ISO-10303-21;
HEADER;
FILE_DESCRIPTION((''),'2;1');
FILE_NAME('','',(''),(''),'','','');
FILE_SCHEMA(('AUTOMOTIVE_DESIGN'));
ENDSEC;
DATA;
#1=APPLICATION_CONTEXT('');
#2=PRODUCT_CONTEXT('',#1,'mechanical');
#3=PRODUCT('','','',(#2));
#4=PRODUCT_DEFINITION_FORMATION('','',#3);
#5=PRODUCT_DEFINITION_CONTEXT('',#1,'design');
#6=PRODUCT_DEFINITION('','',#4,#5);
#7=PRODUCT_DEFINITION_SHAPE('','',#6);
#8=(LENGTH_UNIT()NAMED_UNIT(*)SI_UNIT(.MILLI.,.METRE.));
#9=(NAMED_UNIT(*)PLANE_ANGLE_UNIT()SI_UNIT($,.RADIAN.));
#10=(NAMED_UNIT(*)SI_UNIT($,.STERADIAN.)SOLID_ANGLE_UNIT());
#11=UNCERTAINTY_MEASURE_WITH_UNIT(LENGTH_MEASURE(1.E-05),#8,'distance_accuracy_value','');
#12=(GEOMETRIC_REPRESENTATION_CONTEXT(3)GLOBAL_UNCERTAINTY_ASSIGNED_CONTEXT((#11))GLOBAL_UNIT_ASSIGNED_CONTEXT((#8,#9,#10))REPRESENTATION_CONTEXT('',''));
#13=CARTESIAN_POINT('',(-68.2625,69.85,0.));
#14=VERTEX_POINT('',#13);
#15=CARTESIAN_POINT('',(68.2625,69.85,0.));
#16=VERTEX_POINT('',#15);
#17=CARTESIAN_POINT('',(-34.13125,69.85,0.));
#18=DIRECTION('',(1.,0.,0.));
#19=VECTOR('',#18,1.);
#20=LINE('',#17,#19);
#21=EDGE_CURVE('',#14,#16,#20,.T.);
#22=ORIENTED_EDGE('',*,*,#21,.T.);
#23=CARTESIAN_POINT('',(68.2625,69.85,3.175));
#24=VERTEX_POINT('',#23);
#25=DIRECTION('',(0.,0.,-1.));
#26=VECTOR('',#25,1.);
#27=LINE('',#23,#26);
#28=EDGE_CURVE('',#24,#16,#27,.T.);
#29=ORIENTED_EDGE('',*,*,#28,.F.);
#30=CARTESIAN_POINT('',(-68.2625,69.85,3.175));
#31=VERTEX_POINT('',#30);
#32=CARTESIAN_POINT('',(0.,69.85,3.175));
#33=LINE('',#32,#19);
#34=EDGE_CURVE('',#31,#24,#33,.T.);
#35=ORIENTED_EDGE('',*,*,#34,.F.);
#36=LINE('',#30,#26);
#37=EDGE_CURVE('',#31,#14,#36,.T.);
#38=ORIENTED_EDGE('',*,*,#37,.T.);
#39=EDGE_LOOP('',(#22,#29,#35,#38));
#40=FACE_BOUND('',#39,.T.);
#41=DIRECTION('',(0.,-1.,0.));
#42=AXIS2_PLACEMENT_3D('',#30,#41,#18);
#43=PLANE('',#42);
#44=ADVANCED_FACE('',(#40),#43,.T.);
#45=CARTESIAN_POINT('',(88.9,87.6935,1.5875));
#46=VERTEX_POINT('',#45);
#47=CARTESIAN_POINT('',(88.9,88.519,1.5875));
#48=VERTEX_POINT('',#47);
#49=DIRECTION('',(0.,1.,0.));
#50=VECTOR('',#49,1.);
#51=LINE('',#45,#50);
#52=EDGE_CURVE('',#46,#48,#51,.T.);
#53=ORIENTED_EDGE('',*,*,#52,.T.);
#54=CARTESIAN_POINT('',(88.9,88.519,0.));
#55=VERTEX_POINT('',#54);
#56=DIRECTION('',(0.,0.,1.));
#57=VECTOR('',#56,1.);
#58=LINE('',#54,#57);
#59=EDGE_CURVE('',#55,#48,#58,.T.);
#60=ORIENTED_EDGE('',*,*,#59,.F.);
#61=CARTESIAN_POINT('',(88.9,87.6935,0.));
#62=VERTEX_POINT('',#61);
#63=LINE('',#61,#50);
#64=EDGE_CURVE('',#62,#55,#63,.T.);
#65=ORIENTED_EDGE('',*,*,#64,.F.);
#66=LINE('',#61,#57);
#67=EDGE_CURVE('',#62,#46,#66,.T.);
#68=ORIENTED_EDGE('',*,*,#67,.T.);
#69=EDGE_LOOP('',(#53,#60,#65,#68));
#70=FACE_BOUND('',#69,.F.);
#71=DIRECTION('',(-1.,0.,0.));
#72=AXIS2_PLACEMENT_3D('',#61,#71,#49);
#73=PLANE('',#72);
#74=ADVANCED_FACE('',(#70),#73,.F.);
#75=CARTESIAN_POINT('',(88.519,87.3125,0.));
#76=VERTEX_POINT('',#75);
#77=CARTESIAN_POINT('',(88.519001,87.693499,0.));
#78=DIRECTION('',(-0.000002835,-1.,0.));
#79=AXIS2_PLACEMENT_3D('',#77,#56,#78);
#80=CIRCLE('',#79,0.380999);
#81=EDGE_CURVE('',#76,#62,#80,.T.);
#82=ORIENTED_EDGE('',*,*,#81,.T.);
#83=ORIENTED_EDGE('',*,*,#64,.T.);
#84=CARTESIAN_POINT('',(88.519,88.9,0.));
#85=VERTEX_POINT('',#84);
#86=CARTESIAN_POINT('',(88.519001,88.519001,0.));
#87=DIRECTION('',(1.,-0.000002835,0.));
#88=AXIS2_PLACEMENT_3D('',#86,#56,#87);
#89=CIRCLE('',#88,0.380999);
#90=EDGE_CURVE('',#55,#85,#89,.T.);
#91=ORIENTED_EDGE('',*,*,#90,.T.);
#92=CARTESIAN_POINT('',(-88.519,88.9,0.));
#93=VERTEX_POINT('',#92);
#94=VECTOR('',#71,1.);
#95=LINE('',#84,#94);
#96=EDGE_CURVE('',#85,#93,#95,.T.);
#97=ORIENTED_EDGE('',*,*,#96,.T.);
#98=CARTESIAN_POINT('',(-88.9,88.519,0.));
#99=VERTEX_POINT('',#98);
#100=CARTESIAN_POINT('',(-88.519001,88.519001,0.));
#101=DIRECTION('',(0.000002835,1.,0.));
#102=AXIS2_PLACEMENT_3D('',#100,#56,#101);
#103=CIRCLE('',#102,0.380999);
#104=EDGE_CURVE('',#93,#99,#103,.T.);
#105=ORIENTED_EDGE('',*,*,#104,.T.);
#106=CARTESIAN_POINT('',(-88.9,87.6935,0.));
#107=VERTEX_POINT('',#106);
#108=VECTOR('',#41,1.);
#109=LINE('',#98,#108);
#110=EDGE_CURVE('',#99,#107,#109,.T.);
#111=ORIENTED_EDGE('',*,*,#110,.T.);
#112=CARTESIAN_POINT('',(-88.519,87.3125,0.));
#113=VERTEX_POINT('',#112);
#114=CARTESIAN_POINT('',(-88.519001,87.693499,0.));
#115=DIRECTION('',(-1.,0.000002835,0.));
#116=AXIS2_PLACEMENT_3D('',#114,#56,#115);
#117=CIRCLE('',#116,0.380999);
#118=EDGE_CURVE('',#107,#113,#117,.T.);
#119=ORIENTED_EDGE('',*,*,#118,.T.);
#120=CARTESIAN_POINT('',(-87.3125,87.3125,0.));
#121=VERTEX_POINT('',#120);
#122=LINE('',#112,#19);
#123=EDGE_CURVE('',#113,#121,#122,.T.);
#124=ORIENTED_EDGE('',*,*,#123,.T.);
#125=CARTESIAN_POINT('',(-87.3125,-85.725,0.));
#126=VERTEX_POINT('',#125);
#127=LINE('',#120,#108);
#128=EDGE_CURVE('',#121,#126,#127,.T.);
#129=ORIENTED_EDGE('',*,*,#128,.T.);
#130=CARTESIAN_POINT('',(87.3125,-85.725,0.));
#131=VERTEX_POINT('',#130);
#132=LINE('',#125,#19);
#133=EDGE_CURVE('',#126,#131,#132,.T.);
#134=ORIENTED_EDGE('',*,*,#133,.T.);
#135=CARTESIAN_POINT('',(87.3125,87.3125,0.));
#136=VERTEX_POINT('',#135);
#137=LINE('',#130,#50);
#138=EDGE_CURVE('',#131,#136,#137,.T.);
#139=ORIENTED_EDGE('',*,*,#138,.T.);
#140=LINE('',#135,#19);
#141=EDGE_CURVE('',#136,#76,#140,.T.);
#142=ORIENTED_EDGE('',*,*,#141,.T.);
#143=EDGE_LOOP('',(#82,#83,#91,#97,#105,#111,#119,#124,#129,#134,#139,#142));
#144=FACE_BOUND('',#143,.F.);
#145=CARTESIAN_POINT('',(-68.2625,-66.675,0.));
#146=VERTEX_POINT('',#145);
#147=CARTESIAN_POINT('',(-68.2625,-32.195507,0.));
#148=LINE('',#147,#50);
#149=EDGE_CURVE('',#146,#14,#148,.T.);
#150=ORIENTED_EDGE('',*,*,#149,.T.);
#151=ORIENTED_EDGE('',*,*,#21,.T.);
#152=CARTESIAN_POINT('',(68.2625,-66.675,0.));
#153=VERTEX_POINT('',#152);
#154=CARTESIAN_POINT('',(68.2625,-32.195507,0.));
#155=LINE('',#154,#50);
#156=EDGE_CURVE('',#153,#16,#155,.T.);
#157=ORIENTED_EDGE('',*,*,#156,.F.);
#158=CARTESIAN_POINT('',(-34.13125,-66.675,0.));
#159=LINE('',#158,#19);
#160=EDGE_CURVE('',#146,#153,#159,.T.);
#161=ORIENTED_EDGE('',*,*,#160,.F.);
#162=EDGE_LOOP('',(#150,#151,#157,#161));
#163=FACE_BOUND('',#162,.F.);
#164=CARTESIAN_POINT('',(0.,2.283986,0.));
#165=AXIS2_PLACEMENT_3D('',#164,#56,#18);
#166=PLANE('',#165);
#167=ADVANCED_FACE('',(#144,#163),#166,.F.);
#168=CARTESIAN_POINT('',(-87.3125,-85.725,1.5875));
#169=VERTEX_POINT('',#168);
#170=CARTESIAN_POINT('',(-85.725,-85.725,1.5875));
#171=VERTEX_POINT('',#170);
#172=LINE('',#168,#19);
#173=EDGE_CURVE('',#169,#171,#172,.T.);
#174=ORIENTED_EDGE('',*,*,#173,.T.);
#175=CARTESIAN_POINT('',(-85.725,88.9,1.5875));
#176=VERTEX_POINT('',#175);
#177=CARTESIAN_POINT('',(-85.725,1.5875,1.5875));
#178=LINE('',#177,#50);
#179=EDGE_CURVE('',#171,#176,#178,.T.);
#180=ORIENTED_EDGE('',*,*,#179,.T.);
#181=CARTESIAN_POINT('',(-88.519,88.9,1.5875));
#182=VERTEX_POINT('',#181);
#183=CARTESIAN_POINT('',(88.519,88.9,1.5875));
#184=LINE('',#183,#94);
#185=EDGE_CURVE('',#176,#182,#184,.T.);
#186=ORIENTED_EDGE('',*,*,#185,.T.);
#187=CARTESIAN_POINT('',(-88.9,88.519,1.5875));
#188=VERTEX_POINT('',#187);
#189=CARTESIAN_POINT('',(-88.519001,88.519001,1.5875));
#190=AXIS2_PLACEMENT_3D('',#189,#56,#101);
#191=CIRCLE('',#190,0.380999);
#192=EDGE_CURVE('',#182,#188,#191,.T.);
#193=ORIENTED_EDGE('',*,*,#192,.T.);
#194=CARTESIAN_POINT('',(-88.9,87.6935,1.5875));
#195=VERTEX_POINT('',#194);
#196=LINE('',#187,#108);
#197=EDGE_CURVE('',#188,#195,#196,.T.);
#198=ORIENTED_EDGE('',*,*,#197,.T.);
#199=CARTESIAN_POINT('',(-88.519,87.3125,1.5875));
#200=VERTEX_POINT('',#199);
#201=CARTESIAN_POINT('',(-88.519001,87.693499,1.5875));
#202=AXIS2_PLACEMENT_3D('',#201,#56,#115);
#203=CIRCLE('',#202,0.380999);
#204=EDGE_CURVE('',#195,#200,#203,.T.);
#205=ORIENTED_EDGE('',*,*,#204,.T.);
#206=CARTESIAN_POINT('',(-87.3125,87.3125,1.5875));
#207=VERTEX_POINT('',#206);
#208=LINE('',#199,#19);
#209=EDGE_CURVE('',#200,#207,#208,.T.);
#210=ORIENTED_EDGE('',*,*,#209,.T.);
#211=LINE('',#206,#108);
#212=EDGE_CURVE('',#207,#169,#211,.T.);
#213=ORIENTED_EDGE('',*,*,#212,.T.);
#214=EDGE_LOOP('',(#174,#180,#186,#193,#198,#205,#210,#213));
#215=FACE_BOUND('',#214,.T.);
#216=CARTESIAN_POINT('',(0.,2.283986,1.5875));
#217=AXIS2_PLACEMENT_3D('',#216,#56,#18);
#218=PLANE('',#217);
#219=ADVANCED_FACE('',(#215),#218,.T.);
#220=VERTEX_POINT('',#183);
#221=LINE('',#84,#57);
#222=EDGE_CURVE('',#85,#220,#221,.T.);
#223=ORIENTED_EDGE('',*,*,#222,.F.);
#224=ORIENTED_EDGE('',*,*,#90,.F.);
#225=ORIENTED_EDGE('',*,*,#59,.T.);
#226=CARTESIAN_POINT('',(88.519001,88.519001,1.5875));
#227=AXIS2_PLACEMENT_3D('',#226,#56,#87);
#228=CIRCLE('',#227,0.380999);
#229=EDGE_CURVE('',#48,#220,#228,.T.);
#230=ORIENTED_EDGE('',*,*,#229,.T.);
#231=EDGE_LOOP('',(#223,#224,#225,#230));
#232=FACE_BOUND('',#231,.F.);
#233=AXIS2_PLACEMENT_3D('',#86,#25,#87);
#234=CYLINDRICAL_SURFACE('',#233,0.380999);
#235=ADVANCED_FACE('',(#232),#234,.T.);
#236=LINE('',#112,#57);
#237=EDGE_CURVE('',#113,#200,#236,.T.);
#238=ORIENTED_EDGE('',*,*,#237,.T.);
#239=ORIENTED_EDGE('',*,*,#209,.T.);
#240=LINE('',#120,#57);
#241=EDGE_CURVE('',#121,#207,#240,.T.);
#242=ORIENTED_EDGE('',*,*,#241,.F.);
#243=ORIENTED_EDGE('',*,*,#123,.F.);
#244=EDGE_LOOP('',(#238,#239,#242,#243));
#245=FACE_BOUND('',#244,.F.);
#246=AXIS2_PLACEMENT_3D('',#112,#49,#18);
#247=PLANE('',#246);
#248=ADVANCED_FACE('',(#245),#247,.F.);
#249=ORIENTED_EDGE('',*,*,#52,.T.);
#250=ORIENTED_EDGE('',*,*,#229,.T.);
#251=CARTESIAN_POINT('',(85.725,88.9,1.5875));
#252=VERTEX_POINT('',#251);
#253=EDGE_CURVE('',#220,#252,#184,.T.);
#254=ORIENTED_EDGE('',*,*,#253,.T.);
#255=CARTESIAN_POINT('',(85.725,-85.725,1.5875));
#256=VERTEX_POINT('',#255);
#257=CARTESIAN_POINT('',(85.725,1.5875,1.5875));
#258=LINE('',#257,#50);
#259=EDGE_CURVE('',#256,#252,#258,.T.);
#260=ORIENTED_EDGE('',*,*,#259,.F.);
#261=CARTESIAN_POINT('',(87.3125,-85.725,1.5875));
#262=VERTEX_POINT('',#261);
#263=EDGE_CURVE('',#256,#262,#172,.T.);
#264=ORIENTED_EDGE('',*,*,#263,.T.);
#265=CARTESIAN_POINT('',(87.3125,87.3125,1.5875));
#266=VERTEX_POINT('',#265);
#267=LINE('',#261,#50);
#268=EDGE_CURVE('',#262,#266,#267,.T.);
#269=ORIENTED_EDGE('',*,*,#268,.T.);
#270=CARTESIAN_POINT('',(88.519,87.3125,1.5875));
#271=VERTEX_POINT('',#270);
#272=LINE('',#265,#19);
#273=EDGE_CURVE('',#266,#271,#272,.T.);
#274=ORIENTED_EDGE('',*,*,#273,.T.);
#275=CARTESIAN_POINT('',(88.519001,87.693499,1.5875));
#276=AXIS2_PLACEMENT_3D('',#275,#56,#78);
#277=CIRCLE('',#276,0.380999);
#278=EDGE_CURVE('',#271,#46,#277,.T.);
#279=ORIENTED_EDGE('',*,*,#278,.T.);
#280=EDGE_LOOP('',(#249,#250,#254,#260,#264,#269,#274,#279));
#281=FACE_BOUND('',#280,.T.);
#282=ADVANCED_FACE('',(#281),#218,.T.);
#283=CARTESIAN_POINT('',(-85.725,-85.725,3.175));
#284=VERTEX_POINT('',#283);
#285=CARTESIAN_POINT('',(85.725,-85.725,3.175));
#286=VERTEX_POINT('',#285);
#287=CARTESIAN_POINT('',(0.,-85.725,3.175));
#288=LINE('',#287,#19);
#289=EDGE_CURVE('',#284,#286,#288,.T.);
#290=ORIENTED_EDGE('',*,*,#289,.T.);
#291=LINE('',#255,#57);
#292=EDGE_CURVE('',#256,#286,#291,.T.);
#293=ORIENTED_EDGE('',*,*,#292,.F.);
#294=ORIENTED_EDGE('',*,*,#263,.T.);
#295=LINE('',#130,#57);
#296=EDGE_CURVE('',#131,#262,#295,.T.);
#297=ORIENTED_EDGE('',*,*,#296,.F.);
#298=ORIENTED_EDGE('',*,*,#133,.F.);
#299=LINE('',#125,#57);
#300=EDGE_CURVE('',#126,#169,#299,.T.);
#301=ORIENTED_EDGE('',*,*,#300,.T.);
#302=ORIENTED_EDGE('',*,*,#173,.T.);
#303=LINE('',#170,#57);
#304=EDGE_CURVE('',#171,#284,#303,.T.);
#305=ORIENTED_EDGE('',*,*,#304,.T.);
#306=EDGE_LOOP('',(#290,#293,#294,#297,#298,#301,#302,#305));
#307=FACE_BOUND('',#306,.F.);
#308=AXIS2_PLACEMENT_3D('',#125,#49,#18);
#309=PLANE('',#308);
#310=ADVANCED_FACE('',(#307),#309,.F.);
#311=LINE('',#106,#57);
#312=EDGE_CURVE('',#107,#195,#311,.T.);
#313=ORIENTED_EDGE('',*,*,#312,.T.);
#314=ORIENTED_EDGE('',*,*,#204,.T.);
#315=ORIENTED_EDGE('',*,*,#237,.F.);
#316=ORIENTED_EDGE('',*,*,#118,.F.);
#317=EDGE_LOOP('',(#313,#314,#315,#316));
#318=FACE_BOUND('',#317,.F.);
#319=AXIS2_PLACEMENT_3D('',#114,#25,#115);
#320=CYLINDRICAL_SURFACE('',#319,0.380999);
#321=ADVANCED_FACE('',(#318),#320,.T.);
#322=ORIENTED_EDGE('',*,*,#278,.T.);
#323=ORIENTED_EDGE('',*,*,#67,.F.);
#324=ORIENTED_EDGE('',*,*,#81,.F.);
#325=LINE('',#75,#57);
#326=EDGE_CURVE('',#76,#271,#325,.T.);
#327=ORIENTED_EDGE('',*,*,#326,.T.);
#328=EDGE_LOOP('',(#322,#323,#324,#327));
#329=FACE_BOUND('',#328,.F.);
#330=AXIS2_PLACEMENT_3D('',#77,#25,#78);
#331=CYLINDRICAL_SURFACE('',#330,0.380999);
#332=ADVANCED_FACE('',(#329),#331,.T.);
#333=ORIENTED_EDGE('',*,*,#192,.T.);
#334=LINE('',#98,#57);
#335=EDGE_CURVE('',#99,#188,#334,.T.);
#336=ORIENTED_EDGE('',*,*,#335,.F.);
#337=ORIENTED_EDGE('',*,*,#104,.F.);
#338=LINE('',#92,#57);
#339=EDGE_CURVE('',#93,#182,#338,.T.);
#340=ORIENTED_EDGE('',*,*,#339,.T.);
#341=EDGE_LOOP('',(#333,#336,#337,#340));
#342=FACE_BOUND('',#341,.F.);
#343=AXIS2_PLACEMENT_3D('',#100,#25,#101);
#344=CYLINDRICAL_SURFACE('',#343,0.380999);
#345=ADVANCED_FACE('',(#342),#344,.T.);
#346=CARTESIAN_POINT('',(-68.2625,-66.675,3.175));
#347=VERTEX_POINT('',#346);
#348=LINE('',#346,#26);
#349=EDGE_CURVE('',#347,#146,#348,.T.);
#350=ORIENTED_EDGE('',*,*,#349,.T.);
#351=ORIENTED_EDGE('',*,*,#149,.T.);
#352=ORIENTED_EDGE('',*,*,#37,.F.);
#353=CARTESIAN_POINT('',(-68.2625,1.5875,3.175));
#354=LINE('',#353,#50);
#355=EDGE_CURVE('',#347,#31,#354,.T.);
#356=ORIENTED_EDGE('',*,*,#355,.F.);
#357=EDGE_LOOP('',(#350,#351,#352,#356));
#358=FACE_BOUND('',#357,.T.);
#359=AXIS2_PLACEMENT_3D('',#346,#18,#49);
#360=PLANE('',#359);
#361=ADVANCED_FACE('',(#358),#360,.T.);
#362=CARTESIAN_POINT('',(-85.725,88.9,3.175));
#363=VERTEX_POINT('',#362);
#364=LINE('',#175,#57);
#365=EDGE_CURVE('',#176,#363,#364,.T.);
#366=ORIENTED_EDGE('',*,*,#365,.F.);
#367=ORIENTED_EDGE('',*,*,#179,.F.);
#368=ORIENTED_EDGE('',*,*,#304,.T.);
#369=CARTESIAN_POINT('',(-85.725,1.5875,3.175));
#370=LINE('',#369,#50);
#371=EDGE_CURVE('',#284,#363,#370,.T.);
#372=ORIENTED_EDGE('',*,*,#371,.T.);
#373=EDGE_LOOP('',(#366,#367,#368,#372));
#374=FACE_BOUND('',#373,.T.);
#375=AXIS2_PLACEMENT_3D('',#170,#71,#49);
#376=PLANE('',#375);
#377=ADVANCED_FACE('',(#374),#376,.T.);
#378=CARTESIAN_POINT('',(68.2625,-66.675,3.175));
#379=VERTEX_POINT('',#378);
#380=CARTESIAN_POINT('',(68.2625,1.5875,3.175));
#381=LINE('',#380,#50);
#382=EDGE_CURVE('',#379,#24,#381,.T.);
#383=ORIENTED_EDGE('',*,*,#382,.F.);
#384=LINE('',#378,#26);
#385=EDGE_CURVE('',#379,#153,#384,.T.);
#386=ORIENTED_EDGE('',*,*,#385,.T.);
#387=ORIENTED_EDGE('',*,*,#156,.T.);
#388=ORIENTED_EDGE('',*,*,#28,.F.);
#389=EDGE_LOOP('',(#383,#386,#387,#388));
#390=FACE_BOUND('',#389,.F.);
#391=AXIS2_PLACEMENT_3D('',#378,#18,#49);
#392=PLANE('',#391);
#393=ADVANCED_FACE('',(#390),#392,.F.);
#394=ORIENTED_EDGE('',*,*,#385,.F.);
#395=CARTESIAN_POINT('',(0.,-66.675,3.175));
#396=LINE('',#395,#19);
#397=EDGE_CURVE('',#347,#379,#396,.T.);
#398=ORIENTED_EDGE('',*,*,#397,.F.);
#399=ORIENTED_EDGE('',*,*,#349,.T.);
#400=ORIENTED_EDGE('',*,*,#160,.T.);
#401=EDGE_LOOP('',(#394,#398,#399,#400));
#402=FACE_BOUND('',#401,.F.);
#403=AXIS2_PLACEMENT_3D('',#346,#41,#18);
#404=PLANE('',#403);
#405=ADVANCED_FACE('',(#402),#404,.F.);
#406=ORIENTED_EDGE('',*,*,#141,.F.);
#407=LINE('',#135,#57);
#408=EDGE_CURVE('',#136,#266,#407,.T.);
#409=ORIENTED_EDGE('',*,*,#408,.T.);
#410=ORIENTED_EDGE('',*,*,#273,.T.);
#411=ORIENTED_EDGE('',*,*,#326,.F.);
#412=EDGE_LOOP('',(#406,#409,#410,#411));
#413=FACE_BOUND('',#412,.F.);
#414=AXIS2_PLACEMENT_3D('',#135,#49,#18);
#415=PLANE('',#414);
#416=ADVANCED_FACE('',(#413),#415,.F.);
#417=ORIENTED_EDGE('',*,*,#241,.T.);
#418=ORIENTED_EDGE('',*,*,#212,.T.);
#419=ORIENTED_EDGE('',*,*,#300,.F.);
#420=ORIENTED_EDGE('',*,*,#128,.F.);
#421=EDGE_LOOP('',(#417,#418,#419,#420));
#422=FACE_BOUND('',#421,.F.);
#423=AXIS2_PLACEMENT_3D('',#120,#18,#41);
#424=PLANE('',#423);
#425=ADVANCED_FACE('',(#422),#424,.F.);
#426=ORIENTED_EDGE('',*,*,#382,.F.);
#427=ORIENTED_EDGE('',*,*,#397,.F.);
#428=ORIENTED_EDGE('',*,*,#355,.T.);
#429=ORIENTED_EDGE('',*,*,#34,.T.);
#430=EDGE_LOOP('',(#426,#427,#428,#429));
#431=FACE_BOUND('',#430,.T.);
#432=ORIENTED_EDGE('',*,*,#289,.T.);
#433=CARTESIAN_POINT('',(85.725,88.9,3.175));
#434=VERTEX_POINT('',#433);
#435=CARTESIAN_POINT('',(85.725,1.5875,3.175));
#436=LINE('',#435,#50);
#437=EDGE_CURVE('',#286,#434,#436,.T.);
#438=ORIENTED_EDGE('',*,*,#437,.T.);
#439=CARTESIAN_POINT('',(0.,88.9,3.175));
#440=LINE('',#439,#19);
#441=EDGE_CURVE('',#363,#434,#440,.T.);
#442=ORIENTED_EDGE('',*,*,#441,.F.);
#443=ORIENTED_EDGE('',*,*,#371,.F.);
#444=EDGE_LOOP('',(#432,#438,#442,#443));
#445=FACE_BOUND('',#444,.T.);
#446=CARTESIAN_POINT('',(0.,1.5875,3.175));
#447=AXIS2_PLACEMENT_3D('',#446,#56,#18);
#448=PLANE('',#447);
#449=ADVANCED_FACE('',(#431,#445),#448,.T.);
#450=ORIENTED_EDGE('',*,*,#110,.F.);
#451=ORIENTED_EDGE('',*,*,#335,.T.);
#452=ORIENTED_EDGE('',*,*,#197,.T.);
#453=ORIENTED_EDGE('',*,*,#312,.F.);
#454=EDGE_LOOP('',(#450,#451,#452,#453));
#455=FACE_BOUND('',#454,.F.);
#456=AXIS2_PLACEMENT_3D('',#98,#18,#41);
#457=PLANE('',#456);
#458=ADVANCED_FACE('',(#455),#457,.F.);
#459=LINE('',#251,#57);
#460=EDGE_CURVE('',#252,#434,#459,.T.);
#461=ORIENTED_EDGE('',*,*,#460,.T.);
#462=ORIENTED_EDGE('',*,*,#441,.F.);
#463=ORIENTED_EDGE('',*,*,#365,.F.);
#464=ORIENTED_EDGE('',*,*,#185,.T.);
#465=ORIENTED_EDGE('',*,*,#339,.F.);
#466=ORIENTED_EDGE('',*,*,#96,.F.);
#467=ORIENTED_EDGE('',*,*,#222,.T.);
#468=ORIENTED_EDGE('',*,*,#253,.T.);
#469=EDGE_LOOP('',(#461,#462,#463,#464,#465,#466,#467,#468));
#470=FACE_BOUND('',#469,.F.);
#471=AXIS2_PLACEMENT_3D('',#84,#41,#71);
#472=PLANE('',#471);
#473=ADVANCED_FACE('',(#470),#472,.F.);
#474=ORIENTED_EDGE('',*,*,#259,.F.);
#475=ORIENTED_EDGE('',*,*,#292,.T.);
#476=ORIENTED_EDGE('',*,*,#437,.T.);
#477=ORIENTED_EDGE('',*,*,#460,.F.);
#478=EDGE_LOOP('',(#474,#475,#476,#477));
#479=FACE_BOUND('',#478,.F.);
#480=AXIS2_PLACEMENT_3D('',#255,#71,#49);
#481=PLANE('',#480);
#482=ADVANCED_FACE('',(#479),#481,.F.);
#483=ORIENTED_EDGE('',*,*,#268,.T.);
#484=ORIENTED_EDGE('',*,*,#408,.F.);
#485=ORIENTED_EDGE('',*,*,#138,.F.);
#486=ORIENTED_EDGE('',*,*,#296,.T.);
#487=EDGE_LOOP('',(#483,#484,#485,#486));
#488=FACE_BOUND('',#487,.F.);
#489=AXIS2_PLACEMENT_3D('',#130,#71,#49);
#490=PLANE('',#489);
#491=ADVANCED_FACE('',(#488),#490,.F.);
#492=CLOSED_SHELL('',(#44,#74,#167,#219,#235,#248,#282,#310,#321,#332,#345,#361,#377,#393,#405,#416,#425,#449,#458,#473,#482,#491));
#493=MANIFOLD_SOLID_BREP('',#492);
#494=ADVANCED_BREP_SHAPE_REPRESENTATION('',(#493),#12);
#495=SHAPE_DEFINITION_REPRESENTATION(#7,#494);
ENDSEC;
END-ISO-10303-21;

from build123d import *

# Parameters (mm, degrees)
F1_DEPTH = 1.5875
F2_W     = 171.45
F2_H     = 174.625
F3_DEPTH = 1.5875
F4_W     = 136.525
F4_H     = 136.525
F5_DEPTH = 25.4


with BuildPart() as f1:
    # F0 (on Top) → F1 (new body)
    with BuildSketch(Plane.XY):
        with BuildLine():
            Line((87.3125, 88.9), (-87.3125, 88.9))
            Line((-87.3125, 88.9), (-88.519, 88.9))
            ThreePointArc((-88.519, 88.9), (-88.788408, 88.788408), (-88.9, 88.519))
            Line((-88.9, 88.519), (-88.9, 87.6935))
            ThreePointArc((-88.9, 87.6935), (-88.788408, 87.424092), (-88.519, 87.3125))
            Line((-88.519, 87.3125), (-87.3125, 87.3125))
            Line((-87.3125, 87.3125), (-87.3125, -85.725))
            Line((-87.3125, -85.725), (87.3125, -85.725))
            Line((87.3125, -85.725), (87.3125, 87.3125))
            Line((87.3125, 87.3125), (88.519, 87.3125))
            ThreePointArc((88.519, 87.3125), (88.788408, 87.424092), (88.9, 87.6935))
            Line((88.9, 87.6935), (88.9, 88.519))
            ThreePointArc((88.9, 88.519), (88.788408, 88.788408), (88.519, 88.9))
            Line((88.519, 88.9), (87.3125, 88.9))
        make_face()
    extrude(amount=F1_DEPTH)

    # F2 (on face) → F3 (join)
    with BuildSketch(Plane.XY.offset(1.5875)):
        with Locations((0, 1.5875)):
            Rectangle(F2_W, F2_H)
    extrude(amount=F3_DEPTH)

    # F4 (on face) → F5 (cut)
    with BuildSketch(Plane.XY.offset(3.175)):
        with Locations((0, 1.5875)):
            Rectangle(F4_W, F4_H)
    extrude(amount=-F5_DEPTH, mode=Mode.SUBTRACT)


solid = f1.part
